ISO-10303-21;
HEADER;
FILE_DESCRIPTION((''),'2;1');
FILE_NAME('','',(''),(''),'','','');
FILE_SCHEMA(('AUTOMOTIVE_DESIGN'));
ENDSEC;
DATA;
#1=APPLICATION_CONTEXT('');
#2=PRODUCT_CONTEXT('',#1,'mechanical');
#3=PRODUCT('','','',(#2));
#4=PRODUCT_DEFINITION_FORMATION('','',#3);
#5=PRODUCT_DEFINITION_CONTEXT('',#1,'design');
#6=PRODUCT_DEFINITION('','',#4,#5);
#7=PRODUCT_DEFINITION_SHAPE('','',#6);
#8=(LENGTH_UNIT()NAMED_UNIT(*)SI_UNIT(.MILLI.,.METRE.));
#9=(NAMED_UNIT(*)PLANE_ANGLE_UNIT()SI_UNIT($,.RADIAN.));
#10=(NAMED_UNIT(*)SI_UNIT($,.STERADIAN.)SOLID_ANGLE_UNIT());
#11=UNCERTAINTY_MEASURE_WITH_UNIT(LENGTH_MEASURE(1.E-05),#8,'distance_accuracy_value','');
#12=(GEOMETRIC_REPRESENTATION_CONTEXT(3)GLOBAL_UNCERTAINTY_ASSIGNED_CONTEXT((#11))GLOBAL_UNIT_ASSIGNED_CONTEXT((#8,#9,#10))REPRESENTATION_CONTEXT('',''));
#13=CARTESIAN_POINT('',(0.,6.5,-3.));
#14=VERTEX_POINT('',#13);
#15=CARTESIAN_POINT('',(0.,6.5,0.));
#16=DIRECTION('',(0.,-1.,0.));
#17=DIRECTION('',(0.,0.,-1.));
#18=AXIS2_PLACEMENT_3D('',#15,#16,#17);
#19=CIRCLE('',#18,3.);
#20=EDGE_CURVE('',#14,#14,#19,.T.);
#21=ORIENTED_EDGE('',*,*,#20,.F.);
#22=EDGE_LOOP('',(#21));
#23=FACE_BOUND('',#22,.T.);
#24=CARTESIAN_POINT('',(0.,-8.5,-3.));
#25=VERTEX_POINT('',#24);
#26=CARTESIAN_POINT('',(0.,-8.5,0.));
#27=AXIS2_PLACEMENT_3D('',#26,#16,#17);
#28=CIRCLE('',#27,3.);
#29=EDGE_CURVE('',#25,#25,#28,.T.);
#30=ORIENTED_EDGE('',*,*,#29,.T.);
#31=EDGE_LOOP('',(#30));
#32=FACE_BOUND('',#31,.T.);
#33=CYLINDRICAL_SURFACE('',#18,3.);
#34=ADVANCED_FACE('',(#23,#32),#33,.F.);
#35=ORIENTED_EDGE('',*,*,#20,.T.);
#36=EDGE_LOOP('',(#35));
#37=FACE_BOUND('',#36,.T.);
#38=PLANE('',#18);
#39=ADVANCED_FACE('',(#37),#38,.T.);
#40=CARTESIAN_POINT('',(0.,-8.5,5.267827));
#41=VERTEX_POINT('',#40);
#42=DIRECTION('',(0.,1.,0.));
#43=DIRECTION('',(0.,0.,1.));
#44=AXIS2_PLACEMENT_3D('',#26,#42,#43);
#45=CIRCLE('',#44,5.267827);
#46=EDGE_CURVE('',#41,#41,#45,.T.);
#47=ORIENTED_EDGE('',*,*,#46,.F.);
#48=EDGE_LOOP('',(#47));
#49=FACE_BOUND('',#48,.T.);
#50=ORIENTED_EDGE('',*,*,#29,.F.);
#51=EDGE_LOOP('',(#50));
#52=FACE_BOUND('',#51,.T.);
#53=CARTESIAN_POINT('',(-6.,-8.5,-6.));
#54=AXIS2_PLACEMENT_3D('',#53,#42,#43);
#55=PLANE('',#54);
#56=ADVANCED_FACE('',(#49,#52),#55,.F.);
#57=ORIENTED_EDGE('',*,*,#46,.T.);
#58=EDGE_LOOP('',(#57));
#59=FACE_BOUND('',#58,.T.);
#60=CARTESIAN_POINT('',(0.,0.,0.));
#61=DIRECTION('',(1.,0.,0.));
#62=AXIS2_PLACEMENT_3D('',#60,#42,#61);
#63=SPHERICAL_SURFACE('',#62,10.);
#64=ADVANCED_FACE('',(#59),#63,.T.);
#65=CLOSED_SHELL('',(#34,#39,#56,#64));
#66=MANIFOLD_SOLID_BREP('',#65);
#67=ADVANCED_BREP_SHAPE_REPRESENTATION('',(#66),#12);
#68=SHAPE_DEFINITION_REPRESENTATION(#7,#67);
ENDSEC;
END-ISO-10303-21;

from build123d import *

# Parameters (mm, degrees)
SKETCH_2_W          = 12
SKETCH_2_H          = 3
CUT_EXTRUDE_1_DEPTH = 6
SKETCH_3_R          = 3
CUT_EXTRUDE_2_DEPTH = 15


with BuildPart() as part:
    # Эскиз1 → Revolve 273 (revolve)
    with BuildSketch(Plane.XY):
        with BuildLine():
            Line((0, 10), (0, 0))
            Line((0, 0), (0, -10))
            ThreePointArc((0, -10), (10, 0), (0, 10))
        make_face()
    revolve(axis=Axis((0, 10, 0), (0, -1, 0)))

    # Эскиз2 → Вырез-Вытянуть1 (cut, symmetric)
    with BuildSketch(Plane.XY):
        with Locations((0, -10)):
            Rectangle(SKETCH_2_W, SKETCH_2_H)
    extrude(amount=CUT_EXTRUDE_1_DEPTH, both=True, mode=Mode.SUBTRACT)

    # Эскиз3 → Вырез-Вытянуть2 (cut)
    with BuildSketch(Plane.XZ.offset(8.5)):
        with Locations(Location((0, 0, 0), (0, 0, 270))):
            Circle(SKETCH_3_R)
    extrude(amount=-CUT_EXTRUDE_2_DEPTH, mode=Mode.SUBTRACT)


solid = part.part
